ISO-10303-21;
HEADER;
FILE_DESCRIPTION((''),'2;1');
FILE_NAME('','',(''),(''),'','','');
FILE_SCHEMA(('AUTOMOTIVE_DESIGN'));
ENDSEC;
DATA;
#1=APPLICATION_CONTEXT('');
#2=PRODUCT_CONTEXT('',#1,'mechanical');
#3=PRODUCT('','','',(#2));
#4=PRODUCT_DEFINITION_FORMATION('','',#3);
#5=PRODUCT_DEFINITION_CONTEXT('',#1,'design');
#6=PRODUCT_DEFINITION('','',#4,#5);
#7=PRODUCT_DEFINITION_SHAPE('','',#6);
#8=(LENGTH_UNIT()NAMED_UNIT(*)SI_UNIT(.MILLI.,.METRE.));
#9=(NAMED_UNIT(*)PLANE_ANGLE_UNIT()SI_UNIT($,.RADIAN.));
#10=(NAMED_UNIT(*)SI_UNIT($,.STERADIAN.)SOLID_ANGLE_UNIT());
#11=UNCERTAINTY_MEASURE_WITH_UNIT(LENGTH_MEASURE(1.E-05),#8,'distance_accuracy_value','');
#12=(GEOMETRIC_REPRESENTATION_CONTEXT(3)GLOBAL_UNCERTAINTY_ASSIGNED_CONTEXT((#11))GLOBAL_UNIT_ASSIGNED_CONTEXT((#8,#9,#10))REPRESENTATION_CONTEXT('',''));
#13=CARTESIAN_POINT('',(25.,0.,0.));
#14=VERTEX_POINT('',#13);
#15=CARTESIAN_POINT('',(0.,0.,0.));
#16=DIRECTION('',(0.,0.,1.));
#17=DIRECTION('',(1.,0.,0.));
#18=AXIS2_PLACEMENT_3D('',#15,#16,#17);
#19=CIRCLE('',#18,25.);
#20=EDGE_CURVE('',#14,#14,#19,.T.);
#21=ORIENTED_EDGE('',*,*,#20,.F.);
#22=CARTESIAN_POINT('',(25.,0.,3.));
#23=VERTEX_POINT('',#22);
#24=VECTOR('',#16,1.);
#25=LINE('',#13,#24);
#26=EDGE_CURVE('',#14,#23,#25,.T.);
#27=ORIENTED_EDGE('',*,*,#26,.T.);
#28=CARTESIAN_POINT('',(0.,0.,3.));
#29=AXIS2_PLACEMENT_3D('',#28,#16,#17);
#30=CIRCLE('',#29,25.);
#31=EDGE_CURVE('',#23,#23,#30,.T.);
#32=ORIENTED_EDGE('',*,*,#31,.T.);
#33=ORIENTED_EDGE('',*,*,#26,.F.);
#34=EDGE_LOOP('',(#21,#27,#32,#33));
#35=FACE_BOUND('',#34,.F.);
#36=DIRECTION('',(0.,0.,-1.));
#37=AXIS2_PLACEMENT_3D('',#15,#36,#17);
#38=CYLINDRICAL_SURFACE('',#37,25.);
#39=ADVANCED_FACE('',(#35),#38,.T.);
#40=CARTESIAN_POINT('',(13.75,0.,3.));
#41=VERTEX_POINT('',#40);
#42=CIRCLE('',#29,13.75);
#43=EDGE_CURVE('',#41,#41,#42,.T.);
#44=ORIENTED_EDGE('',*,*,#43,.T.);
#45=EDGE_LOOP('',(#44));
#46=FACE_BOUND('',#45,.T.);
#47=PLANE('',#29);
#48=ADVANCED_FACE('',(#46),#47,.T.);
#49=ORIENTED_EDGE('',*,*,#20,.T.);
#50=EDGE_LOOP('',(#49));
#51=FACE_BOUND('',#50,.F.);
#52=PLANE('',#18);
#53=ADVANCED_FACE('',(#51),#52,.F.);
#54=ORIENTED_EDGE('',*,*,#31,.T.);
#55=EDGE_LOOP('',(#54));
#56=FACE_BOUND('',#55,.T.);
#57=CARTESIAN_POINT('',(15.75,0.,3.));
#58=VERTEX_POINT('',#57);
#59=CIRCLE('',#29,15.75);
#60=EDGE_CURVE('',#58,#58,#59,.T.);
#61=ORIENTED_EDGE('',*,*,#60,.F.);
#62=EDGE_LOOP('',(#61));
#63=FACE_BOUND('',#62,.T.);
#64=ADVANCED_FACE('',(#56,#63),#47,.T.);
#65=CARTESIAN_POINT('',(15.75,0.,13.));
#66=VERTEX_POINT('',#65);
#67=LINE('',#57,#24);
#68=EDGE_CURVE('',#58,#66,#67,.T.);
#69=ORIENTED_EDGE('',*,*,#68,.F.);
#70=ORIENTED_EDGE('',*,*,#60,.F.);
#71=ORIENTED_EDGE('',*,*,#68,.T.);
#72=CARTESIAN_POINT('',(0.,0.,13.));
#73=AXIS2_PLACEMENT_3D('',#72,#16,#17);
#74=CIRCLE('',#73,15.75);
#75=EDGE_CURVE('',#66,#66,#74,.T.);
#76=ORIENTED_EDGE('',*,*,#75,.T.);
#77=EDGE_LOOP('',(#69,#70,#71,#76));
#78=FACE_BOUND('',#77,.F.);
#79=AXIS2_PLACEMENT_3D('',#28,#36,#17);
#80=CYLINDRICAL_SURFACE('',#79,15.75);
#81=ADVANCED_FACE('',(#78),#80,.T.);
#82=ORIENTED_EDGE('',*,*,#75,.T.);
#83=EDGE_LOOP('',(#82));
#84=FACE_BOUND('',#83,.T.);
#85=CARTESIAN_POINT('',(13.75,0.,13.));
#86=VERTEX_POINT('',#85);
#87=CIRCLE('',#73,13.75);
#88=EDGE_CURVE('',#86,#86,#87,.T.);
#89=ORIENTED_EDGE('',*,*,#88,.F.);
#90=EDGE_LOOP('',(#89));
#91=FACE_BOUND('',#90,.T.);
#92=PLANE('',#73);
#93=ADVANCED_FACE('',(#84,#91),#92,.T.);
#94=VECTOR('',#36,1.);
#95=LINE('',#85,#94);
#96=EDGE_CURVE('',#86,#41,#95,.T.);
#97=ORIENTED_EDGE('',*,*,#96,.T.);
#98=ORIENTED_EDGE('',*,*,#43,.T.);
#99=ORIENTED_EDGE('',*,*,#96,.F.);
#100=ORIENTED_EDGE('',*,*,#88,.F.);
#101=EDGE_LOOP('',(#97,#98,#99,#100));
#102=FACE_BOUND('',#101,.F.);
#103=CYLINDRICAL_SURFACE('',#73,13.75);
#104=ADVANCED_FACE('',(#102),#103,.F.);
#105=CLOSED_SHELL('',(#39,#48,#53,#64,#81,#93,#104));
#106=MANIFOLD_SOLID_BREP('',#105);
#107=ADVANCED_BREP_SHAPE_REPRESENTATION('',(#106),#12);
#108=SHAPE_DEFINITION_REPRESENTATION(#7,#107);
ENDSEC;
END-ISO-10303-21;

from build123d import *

# Parameters (mm, degrees)
F0_R     = 25
F1_DEPTH = 3
F2_R     = 15.75
F3_DEPTH = 10
F4_R     = 13.75
F5_DEPTH = 10


with BuildPart() as f1:
    # F0 (on Top) → F1 (new body)
    with BuildSketch(Plane.XY):
        Circle(F0_R)
    extrude(amount=F1_DEPTH)

    # F2 (on face) → F3 (join)
    with BuildSketch(Plane.XY.offset(3)):
        Circle(F2_R)
    extrude(amount=F3_DEPTH)

    # F4 (on face) → F5 (cut, through all)
    with BuildSketch(Plane.XY.offset(13)):
        Circle(F4_R)
    extrude(amount=-F5_DEPTH, mode=Mode.SUBTRACT)


solid = f1.part
